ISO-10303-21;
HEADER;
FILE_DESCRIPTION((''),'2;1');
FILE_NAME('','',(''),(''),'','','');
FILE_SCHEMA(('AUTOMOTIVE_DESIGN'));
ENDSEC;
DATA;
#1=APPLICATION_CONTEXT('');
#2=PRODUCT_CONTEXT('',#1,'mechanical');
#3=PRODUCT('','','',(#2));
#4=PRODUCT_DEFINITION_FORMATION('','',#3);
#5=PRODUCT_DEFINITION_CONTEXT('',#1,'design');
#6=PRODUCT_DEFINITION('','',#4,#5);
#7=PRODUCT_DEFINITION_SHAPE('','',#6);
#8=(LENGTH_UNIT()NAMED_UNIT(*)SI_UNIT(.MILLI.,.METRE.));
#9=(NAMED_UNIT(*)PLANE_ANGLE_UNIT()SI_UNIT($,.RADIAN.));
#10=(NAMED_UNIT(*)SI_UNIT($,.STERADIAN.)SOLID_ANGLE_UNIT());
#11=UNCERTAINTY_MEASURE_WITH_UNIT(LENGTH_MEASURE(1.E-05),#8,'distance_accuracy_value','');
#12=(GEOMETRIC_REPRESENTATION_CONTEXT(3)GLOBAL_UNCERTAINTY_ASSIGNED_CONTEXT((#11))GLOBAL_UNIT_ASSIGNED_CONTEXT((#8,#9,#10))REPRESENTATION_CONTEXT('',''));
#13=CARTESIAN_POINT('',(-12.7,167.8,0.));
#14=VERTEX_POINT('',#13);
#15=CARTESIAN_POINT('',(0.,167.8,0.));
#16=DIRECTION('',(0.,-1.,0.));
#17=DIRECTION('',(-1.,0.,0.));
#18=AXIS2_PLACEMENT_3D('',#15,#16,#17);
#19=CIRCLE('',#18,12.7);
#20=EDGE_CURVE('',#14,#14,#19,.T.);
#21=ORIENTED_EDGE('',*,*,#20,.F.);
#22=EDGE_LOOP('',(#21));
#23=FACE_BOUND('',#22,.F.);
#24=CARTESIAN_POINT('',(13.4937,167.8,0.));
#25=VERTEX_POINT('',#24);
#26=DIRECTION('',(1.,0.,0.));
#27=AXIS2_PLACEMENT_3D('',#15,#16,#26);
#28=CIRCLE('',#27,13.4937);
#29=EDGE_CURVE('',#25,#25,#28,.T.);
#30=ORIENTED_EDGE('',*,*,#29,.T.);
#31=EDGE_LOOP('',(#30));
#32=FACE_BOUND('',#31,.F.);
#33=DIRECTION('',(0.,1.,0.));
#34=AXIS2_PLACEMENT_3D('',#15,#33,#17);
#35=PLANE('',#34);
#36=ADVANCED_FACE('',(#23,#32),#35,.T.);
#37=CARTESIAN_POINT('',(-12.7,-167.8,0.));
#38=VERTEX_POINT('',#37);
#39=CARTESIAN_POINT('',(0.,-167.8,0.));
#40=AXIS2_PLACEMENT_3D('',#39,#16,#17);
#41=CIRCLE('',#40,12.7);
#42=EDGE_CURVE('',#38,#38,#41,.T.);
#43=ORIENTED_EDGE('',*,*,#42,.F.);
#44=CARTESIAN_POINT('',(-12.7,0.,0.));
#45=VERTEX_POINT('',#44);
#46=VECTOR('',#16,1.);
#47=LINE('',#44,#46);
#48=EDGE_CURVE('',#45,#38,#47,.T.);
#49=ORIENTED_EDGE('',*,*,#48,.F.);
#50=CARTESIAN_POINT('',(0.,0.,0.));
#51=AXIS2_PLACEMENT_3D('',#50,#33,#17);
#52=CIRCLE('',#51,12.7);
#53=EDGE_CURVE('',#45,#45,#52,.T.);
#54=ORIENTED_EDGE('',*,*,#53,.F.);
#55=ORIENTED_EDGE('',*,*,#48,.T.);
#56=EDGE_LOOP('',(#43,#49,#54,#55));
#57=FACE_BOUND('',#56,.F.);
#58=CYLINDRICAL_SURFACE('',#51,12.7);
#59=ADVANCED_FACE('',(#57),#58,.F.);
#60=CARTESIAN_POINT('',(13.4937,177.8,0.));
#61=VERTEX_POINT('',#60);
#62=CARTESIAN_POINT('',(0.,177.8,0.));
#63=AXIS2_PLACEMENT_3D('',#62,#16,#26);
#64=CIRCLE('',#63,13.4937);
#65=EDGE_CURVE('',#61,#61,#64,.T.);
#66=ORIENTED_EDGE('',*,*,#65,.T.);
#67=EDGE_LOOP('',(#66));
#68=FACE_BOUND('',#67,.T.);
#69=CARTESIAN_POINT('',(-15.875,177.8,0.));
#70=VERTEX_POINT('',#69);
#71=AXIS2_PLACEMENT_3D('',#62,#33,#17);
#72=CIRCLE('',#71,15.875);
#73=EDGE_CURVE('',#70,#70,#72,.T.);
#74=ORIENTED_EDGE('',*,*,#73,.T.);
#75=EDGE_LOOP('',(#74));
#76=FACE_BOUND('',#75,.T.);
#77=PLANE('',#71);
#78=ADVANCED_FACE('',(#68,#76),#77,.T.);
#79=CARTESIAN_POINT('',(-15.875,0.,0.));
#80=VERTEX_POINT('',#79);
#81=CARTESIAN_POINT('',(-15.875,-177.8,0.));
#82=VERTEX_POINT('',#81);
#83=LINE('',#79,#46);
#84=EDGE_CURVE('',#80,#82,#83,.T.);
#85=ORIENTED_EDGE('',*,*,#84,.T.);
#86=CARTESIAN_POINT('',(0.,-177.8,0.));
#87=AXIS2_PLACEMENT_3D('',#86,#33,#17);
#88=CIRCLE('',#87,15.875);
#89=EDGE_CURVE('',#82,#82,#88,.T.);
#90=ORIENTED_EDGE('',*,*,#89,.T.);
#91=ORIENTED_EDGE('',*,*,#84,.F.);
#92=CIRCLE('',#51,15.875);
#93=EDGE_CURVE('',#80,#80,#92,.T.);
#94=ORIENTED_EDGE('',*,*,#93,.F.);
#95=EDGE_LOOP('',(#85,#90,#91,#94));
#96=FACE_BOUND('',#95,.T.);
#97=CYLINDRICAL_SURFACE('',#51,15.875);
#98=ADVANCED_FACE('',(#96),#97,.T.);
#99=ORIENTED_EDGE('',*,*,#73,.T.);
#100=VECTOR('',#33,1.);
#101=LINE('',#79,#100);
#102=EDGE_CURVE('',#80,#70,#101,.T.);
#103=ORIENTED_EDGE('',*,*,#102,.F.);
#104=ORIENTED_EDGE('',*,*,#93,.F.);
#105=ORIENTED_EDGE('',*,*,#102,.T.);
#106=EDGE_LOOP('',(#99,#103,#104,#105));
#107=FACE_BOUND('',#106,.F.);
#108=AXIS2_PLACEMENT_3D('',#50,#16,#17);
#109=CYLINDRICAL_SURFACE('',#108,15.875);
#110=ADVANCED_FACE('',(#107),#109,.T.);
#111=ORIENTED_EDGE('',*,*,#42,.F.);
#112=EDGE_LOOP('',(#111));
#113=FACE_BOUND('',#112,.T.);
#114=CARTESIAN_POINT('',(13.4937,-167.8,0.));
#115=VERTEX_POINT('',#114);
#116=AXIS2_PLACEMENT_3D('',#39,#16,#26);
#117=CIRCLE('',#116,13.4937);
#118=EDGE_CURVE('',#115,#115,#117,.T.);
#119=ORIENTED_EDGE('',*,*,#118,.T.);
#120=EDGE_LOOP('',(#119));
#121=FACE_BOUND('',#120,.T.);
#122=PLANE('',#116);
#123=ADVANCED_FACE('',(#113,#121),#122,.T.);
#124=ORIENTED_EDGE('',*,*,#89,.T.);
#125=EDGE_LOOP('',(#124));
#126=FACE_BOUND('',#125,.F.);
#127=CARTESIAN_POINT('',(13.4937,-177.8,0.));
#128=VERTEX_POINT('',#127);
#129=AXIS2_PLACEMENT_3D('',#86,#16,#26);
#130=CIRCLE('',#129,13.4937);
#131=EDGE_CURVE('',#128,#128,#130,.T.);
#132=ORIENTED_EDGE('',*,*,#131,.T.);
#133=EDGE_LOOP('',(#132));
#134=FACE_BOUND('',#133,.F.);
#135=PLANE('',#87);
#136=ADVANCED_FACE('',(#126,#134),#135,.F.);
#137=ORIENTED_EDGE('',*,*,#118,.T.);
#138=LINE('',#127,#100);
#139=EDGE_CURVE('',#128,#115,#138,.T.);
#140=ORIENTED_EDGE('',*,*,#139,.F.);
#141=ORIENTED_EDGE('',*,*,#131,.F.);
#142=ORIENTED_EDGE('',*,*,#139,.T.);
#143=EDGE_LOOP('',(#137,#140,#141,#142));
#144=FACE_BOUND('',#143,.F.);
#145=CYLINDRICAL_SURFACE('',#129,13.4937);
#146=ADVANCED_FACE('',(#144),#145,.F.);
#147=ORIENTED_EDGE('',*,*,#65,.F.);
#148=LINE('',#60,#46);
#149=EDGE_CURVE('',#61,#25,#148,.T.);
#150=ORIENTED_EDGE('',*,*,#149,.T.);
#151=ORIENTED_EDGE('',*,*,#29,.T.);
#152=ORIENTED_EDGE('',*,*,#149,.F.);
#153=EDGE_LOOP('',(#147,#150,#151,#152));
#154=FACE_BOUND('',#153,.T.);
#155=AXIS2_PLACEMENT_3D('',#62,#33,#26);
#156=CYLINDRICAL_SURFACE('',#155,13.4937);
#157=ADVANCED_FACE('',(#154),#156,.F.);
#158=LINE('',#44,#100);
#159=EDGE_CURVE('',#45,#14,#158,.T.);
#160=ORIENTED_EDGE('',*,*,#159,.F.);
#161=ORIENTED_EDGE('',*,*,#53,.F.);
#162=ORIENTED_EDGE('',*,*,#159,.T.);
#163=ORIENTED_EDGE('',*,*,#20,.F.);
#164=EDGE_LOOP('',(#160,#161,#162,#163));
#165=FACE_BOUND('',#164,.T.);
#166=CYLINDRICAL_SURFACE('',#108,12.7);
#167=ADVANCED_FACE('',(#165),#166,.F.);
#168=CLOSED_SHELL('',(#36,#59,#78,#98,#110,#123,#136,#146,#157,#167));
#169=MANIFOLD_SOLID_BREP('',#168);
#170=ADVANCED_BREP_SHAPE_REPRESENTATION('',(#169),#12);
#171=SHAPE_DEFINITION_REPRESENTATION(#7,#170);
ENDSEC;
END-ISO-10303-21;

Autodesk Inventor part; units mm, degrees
ref_plane "YZ Plane" through (0, 0, 0) normal (1, 0, 0) x (0, 1, 0)
ref_plane "XZ Plane" through (0, 0, 0) normal (0, 1, 0) x (-1, 0, 0)
ref_plane "XY Plane" through (0, 0, 0) normal (0, 0, 1) x (1, 0, 0)
sketch "Sketch1" plane through (0, 0, 0) normal (0, 1, 0) x (-1, 0, 0)
  circle A0 centre (0, 0) radius 15.875
  circle A1 centre (0, 0) radius 12.7
  dimension "d0" = 31.75
  dimension "d1" = 25.4
extrude "Extrusion1" add sketch "Sketch1" along normal mid plane 355.6
sketch "Sketch2" plane through (0, -177.8, 0) normal (0, -1, 0) x (1, 0, 0)
  circle A0 centre (0, 0) radius 12.7 projected
  circle A1 centre (0, 0) radius 13.4937
  dimension "d4" = 26.9875
extrude "Extrusion2" cut sketch "Sketch2" against normal blind 10
mirror "Mirror1" about plane through (0, 0, 0) normal (0, 1, 0) of "Extrusion2"
properties part number "Acrylic Tube Housing" material "Polycarbonate, Clear"
